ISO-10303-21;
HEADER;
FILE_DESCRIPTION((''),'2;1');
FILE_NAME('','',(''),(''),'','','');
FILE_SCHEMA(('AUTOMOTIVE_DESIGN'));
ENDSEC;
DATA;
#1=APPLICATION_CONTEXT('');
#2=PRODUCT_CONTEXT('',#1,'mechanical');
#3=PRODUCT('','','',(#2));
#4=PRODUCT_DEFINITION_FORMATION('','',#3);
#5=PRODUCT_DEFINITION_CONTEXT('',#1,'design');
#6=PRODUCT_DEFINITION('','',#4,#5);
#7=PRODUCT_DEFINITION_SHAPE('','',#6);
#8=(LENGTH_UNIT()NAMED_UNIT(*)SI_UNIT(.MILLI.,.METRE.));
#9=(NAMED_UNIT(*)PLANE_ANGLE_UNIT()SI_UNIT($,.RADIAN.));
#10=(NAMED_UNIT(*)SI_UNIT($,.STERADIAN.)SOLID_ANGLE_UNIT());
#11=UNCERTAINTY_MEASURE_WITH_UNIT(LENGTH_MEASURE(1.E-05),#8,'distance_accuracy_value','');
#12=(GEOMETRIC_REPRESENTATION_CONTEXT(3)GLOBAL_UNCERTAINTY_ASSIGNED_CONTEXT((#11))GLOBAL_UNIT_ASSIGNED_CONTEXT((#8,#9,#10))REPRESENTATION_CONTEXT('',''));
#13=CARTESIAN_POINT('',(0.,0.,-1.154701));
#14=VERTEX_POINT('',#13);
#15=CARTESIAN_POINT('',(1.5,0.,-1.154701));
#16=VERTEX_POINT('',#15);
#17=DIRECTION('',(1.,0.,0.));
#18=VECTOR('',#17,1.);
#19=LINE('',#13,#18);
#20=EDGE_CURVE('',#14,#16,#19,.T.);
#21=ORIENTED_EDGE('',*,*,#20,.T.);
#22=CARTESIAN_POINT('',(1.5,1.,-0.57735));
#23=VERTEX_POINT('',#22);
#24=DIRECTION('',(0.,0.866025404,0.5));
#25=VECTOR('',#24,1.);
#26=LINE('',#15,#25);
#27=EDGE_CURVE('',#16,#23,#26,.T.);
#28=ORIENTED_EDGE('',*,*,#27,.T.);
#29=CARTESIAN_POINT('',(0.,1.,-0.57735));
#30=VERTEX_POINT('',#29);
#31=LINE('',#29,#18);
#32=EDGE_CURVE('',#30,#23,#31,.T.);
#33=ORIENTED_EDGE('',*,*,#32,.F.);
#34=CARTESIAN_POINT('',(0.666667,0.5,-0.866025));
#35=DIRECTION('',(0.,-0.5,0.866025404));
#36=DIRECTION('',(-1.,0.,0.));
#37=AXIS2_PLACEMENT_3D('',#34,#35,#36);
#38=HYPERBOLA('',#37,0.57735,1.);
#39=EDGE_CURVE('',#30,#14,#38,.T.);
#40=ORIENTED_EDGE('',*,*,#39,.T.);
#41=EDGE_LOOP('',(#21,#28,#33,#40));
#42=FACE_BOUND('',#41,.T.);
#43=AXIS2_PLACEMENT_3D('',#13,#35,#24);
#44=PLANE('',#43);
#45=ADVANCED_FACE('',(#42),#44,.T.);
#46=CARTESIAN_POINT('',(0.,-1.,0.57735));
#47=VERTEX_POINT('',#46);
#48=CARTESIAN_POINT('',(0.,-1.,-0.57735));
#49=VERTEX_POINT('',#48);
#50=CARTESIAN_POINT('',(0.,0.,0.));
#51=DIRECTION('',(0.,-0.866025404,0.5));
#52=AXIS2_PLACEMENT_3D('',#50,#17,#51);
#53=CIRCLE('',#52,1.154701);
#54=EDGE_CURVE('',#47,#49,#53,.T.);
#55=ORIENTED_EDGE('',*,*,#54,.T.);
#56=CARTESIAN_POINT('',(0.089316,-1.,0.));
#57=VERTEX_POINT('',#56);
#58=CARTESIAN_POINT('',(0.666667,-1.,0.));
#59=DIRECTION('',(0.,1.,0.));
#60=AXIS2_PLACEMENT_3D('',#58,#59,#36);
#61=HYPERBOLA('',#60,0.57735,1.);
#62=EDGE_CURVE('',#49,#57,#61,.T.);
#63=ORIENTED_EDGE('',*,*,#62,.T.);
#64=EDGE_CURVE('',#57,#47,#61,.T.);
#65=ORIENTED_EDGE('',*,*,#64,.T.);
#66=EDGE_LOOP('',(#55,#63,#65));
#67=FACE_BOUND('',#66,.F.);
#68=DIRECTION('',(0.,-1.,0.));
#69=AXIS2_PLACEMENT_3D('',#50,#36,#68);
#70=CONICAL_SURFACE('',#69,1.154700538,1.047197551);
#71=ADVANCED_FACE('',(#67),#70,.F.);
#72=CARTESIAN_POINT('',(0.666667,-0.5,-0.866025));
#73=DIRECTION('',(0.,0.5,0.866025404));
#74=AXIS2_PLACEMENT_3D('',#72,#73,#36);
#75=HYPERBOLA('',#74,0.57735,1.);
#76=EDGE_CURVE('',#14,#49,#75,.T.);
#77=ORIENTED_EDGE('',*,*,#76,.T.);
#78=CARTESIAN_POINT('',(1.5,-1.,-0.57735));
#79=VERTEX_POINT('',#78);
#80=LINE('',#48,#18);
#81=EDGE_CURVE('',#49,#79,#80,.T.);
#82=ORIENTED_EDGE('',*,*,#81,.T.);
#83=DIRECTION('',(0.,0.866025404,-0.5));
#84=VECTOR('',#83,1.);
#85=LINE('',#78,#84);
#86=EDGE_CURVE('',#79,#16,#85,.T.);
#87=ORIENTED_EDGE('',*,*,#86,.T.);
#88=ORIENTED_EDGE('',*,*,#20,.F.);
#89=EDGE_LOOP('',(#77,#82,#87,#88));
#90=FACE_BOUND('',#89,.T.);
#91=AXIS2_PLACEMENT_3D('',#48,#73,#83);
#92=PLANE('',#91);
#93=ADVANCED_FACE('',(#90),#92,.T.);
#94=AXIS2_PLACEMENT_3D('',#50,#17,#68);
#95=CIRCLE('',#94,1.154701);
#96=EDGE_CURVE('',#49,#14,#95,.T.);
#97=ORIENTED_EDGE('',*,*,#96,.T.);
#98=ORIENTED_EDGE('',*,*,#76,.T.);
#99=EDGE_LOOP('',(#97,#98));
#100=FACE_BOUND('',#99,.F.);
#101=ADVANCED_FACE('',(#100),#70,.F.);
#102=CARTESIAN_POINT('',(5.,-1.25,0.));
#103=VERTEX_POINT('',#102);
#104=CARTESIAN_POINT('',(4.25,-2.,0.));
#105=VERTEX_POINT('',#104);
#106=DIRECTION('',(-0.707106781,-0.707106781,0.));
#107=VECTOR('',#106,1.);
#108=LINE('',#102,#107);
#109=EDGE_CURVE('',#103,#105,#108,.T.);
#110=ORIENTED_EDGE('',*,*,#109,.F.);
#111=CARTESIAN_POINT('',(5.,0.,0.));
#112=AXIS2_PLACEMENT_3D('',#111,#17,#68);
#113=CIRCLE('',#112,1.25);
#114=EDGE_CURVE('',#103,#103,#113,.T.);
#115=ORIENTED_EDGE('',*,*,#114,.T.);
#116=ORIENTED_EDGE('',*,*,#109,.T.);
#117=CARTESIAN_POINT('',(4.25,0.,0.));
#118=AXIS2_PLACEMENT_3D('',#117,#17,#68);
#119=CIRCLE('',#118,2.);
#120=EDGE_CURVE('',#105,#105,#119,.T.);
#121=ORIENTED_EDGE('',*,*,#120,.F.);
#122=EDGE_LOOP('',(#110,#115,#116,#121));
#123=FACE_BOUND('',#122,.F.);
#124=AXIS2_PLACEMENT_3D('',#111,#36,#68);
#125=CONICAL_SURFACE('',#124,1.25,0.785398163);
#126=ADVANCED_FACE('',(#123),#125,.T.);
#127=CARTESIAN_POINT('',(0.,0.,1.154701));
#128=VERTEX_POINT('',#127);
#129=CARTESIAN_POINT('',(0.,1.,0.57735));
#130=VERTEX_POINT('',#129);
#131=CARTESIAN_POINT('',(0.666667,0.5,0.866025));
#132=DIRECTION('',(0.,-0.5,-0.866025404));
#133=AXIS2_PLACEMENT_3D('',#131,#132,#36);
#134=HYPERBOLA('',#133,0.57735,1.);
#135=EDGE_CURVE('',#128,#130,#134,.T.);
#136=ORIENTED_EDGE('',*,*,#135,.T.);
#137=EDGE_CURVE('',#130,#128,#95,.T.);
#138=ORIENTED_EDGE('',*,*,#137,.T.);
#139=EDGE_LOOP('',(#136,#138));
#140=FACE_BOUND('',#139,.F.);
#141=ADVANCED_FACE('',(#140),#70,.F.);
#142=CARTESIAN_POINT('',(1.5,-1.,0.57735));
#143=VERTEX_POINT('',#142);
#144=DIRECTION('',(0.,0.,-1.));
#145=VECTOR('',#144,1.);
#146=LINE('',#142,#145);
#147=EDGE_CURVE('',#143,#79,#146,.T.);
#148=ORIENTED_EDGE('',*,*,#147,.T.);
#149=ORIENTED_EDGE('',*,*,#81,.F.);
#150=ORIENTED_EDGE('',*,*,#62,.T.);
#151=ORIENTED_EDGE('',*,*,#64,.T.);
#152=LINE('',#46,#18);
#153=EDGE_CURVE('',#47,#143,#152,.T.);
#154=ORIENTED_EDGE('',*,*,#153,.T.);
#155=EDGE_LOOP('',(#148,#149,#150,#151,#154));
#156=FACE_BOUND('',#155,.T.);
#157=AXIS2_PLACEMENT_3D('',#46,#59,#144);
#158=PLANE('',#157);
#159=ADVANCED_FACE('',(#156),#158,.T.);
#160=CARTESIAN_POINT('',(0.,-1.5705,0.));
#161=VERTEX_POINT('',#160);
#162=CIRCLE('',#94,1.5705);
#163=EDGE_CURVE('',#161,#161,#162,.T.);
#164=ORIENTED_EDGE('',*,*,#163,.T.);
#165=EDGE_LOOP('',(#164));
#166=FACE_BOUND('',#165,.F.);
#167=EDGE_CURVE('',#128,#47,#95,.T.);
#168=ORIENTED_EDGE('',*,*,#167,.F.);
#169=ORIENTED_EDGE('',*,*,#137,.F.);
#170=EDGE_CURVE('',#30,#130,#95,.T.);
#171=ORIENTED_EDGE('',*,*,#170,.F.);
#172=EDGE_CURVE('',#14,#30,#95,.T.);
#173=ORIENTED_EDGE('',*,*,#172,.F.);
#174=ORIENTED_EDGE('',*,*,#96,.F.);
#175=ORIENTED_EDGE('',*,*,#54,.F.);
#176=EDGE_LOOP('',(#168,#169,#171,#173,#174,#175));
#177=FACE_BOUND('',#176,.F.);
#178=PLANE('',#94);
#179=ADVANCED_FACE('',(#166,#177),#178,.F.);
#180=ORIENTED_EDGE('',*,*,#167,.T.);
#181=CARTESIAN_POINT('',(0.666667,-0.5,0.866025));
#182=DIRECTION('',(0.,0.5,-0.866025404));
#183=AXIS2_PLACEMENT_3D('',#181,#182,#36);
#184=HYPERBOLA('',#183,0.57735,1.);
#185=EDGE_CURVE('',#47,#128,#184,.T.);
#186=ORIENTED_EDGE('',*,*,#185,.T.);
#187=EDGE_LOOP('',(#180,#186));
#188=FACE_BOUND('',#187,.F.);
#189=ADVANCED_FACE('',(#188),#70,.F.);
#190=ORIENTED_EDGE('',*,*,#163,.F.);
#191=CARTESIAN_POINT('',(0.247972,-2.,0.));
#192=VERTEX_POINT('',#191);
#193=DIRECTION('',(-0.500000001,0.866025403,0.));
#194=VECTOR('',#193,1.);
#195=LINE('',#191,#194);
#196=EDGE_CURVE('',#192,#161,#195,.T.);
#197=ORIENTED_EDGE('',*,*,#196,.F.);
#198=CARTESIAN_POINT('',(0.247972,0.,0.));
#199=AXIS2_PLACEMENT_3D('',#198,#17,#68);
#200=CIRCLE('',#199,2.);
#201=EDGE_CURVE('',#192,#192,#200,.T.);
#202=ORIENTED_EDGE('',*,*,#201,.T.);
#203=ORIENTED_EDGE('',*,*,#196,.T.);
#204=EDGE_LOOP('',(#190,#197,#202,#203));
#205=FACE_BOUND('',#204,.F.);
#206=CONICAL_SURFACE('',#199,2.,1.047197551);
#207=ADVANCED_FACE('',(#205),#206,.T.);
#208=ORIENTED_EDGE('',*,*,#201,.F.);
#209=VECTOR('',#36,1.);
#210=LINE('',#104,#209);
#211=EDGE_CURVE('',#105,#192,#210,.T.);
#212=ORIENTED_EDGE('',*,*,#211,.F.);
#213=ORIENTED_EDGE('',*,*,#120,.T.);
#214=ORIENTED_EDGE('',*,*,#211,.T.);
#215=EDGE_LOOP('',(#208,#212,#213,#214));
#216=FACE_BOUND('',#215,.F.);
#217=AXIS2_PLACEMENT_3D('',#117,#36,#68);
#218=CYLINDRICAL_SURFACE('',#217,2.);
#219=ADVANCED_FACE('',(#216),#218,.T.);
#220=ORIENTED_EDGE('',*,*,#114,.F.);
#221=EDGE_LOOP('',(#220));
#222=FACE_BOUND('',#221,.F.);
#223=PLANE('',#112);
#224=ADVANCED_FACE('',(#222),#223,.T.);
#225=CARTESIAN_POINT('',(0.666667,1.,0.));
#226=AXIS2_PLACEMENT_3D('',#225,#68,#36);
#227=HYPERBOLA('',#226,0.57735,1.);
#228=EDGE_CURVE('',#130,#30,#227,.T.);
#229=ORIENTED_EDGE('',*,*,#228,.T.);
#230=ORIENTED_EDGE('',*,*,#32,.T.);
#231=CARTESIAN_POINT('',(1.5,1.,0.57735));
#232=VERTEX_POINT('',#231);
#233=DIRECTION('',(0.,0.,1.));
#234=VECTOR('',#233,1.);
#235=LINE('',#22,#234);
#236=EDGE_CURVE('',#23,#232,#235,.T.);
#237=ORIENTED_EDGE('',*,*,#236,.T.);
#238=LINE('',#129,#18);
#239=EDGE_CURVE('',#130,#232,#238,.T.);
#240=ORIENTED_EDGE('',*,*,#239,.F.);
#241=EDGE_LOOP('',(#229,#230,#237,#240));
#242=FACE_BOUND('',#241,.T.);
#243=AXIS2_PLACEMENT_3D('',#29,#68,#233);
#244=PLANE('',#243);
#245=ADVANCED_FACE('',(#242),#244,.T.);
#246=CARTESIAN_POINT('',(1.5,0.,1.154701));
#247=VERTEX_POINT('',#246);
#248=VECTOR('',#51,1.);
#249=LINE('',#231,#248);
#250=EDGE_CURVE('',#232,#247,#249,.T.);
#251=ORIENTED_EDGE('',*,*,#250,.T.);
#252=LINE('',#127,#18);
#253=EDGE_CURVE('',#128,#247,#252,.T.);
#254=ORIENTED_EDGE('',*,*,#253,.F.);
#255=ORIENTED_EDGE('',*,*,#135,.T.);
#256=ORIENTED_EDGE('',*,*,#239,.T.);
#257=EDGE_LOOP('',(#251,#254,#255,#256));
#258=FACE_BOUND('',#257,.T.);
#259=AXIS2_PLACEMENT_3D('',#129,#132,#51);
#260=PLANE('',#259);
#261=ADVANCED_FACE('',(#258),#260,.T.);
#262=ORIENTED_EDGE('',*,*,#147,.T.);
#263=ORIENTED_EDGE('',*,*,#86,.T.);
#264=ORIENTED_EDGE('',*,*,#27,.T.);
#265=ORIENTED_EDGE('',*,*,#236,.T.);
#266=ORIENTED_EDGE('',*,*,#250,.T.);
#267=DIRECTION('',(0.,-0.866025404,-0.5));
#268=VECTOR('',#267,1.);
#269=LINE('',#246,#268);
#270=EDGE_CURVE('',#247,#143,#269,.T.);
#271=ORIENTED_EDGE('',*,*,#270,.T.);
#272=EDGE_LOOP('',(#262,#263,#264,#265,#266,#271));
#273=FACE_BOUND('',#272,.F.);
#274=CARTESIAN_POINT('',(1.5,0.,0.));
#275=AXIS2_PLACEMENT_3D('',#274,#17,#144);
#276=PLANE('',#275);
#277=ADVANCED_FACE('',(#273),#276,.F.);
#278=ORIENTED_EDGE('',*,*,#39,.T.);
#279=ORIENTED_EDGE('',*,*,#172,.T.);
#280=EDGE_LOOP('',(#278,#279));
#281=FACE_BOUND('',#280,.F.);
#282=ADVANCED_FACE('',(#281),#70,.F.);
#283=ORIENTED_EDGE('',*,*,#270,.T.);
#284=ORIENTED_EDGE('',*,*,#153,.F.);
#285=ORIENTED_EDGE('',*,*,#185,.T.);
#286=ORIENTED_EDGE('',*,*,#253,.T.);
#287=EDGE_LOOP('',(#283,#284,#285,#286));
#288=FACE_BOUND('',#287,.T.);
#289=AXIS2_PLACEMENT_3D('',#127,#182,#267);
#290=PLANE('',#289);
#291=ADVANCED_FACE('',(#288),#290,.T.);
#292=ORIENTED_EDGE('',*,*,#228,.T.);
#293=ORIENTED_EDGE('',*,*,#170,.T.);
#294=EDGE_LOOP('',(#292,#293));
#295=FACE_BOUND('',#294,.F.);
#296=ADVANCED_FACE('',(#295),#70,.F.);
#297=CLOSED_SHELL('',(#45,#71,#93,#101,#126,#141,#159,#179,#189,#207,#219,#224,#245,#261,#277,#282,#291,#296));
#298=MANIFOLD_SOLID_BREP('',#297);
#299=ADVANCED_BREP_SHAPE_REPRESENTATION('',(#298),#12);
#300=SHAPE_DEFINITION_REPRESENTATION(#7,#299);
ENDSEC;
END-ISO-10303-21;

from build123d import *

# Parameters (mm, degrees)
CUT_EXTRUDE1_DEPTH = 1.5


with BuildPart() as part:
    # Sketch1 → Revolve1 (revolve)
    with BuildSketch(Plane.XY):
        Polygon((5, 0), (5, -1.25), (4.25, -2), (0.247971941, -2), (0, -1.5705), (0, -1.154700538), (0.666666667, 0), align=None)
    revolve(axis=Axis((0.666666667, 0, 0), (1, 0, 0)))

    # Sketch2 → Cut-Extrude1 (cut)
    with BuildSketch(Plane(origin=(0, 0, 0), x_dir=(0, 0, -1), z_dir=(1, 0, 0))):
        Polygon((-1.154700538, 0), (-0.577350269, -1), (0.577350269, -1), (1.154700538, 0), (0.577350269, 1), (-0.577350269, 1), align=None)
    extrude(amount=CUT_EXTRUDE1_DEPTH, mode=Mode.SUBTRACT)


solid = part.part
